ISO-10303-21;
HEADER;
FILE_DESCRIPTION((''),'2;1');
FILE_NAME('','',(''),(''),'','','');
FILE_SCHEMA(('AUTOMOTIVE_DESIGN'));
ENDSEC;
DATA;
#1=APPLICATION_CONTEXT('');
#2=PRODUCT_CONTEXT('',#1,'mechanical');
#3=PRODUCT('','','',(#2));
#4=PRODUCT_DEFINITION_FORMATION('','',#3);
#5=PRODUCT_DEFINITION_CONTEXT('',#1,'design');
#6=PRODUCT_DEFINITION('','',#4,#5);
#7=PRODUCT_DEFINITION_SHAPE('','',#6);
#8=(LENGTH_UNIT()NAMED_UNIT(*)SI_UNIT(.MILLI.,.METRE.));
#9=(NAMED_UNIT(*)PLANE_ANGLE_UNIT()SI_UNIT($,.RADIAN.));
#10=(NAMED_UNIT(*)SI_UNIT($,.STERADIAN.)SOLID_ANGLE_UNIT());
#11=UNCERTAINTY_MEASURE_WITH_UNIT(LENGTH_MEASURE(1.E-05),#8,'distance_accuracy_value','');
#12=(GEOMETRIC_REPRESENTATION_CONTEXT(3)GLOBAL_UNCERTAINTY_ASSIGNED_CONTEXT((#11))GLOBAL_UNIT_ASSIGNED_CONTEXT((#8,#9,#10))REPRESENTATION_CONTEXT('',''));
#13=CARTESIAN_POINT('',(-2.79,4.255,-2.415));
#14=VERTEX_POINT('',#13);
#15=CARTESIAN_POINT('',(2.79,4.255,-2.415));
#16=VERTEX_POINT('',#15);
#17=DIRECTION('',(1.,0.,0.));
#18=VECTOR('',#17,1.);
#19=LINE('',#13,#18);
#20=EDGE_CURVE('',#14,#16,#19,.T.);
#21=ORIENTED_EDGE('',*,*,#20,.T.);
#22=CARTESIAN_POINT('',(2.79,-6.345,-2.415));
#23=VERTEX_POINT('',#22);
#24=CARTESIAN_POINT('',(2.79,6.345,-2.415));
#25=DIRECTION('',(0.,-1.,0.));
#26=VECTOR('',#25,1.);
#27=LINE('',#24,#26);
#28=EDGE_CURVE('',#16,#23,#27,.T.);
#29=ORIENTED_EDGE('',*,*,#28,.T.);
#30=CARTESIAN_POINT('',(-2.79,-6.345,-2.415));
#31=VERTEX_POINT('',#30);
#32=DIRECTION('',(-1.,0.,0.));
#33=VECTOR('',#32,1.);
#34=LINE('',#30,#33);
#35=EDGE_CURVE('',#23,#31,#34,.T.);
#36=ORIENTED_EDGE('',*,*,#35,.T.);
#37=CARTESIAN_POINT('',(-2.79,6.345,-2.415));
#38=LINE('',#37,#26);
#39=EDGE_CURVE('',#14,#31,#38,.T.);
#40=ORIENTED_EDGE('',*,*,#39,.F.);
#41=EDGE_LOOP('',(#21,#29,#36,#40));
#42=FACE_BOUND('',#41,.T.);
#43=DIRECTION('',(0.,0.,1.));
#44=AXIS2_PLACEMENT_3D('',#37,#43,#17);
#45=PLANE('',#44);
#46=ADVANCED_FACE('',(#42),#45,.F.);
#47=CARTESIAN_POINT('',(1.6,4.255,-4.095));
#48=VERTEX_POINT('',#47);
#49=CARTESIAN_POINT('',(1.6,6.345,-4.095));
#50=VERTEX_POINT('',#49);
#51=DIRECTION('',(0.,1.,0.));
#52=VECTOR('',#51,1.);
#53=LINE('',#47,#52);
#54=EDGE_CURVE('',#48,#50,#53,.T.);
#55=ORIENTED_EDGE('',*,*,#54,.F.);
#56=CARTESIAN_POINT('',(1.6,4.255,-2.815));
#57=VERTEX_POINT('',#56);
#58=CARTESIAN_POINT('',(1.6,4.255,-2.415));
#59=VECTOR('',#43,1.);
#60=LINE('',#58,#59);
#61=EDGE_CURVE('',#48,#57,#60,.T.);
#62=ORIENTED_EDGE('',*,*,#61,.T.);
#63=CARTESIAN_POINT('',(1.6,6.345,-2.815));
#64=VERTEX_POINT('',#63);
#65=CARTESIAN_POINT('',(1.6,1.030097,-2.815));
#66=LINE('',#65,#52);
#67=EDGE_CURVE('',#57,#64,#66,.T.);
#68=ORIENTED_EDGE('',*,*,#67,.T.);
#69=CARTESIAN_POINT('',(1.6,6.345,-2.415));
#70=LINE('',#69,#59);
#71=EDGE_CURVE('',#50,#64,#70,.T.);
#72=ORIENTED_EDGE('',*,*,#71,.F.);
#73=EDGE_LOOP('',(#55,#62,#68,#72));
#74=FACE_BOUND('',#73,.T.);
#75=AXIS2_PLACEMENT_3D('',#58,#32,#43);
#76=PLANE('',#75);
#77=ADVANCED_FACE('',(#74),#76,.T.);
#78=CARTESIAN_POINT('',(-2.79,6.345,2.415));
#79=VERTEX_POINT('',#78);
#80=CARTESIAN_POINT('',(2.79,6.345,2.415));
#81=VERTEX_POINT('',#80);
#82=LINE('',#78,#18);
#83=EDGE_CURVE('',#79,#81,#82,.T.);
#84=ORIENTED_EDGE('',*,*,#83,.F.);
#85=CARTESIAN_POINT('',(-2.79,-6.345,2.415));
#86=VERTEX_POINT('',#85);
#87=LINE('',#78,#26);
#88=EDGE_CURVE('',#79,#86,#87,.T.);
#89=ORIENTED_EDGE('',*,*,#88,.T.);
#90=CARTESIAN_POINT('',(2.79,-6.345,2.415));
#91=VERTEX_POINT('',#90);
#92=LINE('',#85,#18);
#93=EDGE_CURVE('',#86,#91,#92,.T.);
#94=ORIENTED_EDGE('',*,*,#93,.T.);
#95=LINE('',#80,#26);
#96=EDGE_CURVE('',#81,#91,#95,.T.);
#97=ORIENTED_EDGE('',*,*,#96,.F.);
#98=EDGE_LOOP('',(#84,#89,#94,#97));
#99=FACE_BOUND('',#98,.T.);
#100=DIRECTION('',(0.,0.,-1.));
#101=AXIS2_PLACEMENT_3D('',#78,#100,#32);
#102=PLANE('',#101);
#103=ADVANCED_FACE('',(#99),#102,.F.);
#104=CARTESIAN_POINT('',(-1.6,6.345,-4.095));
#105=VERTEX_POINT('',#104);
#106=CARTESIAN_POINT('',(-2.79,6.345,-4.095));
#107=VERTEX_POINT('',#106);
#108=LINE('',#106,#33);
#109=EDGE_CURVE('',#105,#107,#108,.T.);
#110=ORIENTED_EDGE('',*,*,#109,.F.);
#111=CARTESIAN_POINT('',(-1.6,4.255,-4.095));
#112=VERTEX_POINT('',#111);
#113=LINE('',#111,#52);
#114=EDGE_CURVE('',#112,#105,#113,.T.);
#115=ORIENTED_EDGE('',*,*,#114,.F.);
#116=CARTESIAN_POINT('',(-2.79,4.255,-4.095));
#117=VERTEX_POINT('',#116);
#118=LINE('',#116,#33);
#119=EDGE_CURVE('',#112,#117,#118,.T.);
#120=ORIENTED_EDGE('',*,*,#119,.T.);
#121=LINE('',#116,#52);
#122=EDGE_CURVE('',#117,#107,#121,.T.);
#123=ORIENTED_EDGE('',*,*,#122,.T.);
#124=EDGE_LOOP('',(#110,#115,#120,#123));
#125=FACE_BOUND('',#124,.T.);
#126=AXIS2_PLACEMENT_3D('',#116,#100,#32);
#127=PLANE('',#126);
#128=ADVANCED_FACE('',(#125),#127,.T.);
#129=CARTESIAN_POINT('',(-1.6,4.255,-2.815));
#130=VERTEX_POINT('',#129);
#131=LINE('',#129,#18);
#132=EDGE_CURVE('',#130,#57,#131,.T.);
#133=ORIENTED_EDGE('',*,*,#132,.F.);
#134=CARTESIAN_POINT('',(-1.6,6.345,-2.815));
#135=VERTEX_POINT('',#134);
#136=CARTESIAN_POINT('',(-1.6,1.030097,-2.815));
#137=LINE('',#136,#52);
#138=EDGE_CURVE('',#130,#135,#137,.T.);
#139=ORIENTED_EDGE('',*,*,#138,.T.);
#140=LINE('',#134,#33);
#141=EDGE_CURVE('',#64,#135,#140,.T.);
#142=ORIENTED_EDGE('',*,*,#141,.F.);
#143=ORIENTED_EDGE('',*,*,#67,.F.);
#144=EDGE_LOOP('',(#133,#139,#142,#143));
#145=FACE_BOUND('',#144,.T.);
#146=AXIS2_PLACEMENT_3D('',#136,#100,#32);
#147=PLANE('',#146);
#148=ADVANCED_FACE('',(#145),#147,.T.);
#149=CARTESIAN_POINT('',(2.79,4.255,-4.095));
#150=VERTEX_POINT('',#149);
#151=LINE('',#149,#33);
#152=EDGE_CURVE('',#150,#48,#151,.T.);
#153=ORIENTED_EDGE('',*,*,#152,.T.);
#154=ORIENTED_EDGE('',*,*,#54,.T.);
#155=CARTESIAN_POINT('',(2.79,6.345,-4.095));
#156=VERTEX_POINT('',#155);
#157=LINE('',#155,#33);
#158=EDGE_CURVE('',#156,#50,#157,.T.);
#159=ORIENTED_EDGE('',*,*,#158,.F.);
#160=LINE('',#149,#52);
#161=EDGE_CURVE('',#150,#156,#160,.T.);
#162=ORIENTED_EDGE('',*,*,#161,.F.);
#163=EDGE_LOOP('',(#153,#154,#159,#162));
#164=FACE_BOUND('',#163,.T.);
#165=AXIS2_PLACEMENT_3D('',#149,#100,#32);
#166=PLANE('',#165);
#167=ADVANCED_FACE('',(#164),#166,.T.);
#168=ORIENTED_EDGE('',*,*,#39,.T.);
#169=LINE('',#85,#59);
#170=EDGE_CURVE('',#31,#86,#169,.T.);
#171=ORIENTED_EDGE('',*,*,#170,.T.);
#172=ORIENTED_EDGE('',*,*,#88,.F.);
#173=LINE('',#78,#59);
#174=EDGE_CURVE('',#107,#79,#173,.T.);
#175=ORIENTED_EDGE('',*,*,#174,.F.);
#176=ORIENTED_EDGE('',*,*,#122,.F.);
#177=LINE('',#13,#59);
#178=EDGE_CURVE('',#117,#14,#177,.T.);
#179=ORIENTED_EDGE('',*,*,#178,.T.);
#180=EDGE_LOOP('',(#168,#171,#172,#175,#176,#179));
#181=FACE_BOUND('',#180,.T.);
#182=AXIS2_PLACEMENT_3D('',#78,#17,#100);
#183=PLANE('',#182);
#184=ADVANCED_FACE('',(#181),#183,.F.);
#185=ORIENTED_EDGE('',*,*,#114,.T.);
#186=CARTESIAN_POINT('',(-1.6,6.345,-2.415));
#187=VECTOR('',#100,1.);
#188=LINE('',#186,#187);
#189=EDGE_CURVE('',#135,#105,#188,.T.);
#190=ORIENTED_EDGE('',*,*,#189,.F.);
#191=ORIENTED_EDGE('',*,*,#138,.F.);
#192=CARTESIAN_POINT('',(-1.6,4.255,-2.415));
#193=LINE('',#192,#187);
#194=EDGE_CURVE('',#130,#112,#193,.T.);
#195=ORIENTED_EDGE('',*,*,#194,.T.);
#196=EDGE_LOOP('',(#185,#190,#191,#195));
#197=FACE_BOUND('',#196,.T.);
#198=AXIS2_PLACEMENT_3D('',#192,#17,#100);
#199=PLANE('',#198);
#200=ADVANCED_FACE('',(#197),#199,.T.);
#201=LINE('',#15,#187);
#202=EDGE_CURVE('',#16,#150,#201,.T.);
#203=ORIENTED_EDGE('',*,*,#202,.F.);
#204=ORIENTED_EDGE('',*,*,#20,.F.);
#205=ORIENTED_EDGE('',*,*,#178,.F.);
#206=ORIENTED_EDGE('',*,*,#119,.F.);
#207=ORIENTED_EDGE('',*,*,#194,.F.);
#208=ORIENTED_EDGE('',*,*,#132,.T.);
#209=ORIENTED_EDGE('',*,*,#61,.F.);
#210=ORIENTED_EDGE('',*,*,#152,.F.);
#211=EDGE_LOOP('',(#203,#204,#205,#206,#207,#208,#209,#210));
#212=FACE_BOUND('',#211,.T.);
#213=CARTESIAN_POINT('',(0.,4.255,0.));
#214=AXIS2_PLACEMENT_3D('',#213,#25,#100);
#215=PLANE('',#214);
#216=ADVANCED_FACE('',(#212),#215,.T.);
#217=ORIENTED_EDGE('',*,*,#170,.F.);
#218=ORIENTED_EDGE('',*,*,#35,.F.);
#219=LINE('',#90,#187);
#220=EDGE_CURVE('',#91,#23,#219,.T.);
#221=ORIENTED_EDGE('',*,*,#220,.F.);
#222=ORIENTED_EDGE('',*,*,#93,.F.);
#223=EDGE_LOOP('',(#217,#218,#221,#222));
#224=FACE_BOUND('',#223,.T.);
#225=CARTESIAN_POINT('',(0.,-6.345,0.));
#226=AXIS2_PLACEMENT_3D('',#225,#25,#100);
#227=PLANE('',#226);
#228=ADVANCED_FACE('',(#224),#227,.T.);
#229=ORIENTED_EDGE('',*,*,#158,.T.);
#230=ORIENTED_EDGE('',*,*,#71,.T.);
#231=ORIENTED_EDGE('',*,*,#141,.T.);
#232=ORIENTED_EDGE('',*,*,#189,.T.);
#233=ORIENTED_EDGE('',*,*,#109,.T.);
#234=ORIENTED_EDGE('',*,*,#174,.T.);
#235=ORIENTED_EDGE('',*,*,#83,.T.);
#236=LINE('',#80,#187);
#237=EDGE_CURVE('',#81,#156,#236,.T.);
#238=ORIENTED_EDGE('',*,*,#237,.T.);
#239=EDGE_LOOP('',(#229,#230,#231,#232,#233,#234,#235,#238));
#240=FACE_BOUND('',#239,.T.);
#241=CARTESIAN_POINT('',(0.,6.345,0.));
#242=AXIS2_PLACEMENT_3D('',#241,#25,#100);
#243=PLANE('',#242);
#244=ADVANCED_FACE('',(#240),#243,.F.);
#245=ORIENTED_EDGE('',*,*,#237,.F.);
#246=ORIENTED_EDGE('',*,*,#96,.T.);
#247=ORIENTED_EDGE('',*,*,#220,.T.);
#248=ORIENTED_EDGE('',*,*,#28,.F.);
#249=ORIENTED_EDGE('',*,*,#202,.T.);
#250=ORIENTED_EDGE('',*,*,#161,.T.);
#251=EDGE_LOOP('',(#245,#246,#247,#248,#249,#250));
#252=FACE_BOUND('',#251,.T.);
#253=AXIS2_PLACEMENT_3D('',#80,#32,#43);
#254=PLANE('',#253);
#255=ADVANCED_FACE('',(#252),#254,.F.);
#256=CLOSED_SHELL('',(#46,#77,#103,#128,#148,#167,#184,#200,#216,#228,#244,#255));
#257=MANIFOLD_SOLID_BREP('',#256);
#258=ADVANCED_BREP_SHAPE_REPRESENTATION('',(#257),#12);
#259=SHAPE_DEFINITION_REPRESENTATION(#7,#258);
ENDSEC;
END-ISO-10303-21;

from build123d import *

# Parameters (mm, degrees)
SKETCH1_W           = 5.58
SKETCH1_H           = 4.83
BOSS_EXTRUDE1_DEPTH = 6.345
SKETCH2_W           = 1.19
SKETCH2_H           = 1.68
BOSS_EXTRUDE2_DEPTH = 2.09
SKETCH4_W           = 3.2
SKETCH4_H           = 0.4
BOSS_EXTRUDE3_DEPTH = 2.09


with BuildPart() as part:
    # Sketch1 → Boss-Extrude1 (new, symmetric)
    with BuildSketch(Plane(origin=(0, 0, 0), x_dir=(1, 0, 0), z_dir=(0, 1, 0))):
        Rectangle(SKETCH1_W, SKETCH1_H)
    extrude(amount=BOSS_EXTRUDE1_DEPTH, both=True)

    # Sketch2 → Boss-Extrude2 (add)
    with BuildSketch(Plane(origin=(0, 6.345, 0), x_dir=(1, 0, 0), z_dir=(0, 1, 0))):
        with Locations((-2.195, 3.255)):
            Rectangle(SKETCH2_W, SKETCH2_H)
        with Locations((2.195, 3.255)):
            Rectangle(SKETCH2_W, SKETCH2_H)
    extrude(amount=-BOSS_EXTRUDE2_DEPTH)

    # Sketch4 → Boss-Extrude3 (add)
    with BuildSketch(Plane(origin=(0, 6.345, 0), x_dir=(1, 0, 0), z_dir=(0, 1, 0))):
        with Locations((0, 2.615)):
            Rectangle(SKETCH4_W, SKETCH4_H)
    extrude(amount=-BOSS_EXTRUDE3_DEPTH)


solid = part.part
